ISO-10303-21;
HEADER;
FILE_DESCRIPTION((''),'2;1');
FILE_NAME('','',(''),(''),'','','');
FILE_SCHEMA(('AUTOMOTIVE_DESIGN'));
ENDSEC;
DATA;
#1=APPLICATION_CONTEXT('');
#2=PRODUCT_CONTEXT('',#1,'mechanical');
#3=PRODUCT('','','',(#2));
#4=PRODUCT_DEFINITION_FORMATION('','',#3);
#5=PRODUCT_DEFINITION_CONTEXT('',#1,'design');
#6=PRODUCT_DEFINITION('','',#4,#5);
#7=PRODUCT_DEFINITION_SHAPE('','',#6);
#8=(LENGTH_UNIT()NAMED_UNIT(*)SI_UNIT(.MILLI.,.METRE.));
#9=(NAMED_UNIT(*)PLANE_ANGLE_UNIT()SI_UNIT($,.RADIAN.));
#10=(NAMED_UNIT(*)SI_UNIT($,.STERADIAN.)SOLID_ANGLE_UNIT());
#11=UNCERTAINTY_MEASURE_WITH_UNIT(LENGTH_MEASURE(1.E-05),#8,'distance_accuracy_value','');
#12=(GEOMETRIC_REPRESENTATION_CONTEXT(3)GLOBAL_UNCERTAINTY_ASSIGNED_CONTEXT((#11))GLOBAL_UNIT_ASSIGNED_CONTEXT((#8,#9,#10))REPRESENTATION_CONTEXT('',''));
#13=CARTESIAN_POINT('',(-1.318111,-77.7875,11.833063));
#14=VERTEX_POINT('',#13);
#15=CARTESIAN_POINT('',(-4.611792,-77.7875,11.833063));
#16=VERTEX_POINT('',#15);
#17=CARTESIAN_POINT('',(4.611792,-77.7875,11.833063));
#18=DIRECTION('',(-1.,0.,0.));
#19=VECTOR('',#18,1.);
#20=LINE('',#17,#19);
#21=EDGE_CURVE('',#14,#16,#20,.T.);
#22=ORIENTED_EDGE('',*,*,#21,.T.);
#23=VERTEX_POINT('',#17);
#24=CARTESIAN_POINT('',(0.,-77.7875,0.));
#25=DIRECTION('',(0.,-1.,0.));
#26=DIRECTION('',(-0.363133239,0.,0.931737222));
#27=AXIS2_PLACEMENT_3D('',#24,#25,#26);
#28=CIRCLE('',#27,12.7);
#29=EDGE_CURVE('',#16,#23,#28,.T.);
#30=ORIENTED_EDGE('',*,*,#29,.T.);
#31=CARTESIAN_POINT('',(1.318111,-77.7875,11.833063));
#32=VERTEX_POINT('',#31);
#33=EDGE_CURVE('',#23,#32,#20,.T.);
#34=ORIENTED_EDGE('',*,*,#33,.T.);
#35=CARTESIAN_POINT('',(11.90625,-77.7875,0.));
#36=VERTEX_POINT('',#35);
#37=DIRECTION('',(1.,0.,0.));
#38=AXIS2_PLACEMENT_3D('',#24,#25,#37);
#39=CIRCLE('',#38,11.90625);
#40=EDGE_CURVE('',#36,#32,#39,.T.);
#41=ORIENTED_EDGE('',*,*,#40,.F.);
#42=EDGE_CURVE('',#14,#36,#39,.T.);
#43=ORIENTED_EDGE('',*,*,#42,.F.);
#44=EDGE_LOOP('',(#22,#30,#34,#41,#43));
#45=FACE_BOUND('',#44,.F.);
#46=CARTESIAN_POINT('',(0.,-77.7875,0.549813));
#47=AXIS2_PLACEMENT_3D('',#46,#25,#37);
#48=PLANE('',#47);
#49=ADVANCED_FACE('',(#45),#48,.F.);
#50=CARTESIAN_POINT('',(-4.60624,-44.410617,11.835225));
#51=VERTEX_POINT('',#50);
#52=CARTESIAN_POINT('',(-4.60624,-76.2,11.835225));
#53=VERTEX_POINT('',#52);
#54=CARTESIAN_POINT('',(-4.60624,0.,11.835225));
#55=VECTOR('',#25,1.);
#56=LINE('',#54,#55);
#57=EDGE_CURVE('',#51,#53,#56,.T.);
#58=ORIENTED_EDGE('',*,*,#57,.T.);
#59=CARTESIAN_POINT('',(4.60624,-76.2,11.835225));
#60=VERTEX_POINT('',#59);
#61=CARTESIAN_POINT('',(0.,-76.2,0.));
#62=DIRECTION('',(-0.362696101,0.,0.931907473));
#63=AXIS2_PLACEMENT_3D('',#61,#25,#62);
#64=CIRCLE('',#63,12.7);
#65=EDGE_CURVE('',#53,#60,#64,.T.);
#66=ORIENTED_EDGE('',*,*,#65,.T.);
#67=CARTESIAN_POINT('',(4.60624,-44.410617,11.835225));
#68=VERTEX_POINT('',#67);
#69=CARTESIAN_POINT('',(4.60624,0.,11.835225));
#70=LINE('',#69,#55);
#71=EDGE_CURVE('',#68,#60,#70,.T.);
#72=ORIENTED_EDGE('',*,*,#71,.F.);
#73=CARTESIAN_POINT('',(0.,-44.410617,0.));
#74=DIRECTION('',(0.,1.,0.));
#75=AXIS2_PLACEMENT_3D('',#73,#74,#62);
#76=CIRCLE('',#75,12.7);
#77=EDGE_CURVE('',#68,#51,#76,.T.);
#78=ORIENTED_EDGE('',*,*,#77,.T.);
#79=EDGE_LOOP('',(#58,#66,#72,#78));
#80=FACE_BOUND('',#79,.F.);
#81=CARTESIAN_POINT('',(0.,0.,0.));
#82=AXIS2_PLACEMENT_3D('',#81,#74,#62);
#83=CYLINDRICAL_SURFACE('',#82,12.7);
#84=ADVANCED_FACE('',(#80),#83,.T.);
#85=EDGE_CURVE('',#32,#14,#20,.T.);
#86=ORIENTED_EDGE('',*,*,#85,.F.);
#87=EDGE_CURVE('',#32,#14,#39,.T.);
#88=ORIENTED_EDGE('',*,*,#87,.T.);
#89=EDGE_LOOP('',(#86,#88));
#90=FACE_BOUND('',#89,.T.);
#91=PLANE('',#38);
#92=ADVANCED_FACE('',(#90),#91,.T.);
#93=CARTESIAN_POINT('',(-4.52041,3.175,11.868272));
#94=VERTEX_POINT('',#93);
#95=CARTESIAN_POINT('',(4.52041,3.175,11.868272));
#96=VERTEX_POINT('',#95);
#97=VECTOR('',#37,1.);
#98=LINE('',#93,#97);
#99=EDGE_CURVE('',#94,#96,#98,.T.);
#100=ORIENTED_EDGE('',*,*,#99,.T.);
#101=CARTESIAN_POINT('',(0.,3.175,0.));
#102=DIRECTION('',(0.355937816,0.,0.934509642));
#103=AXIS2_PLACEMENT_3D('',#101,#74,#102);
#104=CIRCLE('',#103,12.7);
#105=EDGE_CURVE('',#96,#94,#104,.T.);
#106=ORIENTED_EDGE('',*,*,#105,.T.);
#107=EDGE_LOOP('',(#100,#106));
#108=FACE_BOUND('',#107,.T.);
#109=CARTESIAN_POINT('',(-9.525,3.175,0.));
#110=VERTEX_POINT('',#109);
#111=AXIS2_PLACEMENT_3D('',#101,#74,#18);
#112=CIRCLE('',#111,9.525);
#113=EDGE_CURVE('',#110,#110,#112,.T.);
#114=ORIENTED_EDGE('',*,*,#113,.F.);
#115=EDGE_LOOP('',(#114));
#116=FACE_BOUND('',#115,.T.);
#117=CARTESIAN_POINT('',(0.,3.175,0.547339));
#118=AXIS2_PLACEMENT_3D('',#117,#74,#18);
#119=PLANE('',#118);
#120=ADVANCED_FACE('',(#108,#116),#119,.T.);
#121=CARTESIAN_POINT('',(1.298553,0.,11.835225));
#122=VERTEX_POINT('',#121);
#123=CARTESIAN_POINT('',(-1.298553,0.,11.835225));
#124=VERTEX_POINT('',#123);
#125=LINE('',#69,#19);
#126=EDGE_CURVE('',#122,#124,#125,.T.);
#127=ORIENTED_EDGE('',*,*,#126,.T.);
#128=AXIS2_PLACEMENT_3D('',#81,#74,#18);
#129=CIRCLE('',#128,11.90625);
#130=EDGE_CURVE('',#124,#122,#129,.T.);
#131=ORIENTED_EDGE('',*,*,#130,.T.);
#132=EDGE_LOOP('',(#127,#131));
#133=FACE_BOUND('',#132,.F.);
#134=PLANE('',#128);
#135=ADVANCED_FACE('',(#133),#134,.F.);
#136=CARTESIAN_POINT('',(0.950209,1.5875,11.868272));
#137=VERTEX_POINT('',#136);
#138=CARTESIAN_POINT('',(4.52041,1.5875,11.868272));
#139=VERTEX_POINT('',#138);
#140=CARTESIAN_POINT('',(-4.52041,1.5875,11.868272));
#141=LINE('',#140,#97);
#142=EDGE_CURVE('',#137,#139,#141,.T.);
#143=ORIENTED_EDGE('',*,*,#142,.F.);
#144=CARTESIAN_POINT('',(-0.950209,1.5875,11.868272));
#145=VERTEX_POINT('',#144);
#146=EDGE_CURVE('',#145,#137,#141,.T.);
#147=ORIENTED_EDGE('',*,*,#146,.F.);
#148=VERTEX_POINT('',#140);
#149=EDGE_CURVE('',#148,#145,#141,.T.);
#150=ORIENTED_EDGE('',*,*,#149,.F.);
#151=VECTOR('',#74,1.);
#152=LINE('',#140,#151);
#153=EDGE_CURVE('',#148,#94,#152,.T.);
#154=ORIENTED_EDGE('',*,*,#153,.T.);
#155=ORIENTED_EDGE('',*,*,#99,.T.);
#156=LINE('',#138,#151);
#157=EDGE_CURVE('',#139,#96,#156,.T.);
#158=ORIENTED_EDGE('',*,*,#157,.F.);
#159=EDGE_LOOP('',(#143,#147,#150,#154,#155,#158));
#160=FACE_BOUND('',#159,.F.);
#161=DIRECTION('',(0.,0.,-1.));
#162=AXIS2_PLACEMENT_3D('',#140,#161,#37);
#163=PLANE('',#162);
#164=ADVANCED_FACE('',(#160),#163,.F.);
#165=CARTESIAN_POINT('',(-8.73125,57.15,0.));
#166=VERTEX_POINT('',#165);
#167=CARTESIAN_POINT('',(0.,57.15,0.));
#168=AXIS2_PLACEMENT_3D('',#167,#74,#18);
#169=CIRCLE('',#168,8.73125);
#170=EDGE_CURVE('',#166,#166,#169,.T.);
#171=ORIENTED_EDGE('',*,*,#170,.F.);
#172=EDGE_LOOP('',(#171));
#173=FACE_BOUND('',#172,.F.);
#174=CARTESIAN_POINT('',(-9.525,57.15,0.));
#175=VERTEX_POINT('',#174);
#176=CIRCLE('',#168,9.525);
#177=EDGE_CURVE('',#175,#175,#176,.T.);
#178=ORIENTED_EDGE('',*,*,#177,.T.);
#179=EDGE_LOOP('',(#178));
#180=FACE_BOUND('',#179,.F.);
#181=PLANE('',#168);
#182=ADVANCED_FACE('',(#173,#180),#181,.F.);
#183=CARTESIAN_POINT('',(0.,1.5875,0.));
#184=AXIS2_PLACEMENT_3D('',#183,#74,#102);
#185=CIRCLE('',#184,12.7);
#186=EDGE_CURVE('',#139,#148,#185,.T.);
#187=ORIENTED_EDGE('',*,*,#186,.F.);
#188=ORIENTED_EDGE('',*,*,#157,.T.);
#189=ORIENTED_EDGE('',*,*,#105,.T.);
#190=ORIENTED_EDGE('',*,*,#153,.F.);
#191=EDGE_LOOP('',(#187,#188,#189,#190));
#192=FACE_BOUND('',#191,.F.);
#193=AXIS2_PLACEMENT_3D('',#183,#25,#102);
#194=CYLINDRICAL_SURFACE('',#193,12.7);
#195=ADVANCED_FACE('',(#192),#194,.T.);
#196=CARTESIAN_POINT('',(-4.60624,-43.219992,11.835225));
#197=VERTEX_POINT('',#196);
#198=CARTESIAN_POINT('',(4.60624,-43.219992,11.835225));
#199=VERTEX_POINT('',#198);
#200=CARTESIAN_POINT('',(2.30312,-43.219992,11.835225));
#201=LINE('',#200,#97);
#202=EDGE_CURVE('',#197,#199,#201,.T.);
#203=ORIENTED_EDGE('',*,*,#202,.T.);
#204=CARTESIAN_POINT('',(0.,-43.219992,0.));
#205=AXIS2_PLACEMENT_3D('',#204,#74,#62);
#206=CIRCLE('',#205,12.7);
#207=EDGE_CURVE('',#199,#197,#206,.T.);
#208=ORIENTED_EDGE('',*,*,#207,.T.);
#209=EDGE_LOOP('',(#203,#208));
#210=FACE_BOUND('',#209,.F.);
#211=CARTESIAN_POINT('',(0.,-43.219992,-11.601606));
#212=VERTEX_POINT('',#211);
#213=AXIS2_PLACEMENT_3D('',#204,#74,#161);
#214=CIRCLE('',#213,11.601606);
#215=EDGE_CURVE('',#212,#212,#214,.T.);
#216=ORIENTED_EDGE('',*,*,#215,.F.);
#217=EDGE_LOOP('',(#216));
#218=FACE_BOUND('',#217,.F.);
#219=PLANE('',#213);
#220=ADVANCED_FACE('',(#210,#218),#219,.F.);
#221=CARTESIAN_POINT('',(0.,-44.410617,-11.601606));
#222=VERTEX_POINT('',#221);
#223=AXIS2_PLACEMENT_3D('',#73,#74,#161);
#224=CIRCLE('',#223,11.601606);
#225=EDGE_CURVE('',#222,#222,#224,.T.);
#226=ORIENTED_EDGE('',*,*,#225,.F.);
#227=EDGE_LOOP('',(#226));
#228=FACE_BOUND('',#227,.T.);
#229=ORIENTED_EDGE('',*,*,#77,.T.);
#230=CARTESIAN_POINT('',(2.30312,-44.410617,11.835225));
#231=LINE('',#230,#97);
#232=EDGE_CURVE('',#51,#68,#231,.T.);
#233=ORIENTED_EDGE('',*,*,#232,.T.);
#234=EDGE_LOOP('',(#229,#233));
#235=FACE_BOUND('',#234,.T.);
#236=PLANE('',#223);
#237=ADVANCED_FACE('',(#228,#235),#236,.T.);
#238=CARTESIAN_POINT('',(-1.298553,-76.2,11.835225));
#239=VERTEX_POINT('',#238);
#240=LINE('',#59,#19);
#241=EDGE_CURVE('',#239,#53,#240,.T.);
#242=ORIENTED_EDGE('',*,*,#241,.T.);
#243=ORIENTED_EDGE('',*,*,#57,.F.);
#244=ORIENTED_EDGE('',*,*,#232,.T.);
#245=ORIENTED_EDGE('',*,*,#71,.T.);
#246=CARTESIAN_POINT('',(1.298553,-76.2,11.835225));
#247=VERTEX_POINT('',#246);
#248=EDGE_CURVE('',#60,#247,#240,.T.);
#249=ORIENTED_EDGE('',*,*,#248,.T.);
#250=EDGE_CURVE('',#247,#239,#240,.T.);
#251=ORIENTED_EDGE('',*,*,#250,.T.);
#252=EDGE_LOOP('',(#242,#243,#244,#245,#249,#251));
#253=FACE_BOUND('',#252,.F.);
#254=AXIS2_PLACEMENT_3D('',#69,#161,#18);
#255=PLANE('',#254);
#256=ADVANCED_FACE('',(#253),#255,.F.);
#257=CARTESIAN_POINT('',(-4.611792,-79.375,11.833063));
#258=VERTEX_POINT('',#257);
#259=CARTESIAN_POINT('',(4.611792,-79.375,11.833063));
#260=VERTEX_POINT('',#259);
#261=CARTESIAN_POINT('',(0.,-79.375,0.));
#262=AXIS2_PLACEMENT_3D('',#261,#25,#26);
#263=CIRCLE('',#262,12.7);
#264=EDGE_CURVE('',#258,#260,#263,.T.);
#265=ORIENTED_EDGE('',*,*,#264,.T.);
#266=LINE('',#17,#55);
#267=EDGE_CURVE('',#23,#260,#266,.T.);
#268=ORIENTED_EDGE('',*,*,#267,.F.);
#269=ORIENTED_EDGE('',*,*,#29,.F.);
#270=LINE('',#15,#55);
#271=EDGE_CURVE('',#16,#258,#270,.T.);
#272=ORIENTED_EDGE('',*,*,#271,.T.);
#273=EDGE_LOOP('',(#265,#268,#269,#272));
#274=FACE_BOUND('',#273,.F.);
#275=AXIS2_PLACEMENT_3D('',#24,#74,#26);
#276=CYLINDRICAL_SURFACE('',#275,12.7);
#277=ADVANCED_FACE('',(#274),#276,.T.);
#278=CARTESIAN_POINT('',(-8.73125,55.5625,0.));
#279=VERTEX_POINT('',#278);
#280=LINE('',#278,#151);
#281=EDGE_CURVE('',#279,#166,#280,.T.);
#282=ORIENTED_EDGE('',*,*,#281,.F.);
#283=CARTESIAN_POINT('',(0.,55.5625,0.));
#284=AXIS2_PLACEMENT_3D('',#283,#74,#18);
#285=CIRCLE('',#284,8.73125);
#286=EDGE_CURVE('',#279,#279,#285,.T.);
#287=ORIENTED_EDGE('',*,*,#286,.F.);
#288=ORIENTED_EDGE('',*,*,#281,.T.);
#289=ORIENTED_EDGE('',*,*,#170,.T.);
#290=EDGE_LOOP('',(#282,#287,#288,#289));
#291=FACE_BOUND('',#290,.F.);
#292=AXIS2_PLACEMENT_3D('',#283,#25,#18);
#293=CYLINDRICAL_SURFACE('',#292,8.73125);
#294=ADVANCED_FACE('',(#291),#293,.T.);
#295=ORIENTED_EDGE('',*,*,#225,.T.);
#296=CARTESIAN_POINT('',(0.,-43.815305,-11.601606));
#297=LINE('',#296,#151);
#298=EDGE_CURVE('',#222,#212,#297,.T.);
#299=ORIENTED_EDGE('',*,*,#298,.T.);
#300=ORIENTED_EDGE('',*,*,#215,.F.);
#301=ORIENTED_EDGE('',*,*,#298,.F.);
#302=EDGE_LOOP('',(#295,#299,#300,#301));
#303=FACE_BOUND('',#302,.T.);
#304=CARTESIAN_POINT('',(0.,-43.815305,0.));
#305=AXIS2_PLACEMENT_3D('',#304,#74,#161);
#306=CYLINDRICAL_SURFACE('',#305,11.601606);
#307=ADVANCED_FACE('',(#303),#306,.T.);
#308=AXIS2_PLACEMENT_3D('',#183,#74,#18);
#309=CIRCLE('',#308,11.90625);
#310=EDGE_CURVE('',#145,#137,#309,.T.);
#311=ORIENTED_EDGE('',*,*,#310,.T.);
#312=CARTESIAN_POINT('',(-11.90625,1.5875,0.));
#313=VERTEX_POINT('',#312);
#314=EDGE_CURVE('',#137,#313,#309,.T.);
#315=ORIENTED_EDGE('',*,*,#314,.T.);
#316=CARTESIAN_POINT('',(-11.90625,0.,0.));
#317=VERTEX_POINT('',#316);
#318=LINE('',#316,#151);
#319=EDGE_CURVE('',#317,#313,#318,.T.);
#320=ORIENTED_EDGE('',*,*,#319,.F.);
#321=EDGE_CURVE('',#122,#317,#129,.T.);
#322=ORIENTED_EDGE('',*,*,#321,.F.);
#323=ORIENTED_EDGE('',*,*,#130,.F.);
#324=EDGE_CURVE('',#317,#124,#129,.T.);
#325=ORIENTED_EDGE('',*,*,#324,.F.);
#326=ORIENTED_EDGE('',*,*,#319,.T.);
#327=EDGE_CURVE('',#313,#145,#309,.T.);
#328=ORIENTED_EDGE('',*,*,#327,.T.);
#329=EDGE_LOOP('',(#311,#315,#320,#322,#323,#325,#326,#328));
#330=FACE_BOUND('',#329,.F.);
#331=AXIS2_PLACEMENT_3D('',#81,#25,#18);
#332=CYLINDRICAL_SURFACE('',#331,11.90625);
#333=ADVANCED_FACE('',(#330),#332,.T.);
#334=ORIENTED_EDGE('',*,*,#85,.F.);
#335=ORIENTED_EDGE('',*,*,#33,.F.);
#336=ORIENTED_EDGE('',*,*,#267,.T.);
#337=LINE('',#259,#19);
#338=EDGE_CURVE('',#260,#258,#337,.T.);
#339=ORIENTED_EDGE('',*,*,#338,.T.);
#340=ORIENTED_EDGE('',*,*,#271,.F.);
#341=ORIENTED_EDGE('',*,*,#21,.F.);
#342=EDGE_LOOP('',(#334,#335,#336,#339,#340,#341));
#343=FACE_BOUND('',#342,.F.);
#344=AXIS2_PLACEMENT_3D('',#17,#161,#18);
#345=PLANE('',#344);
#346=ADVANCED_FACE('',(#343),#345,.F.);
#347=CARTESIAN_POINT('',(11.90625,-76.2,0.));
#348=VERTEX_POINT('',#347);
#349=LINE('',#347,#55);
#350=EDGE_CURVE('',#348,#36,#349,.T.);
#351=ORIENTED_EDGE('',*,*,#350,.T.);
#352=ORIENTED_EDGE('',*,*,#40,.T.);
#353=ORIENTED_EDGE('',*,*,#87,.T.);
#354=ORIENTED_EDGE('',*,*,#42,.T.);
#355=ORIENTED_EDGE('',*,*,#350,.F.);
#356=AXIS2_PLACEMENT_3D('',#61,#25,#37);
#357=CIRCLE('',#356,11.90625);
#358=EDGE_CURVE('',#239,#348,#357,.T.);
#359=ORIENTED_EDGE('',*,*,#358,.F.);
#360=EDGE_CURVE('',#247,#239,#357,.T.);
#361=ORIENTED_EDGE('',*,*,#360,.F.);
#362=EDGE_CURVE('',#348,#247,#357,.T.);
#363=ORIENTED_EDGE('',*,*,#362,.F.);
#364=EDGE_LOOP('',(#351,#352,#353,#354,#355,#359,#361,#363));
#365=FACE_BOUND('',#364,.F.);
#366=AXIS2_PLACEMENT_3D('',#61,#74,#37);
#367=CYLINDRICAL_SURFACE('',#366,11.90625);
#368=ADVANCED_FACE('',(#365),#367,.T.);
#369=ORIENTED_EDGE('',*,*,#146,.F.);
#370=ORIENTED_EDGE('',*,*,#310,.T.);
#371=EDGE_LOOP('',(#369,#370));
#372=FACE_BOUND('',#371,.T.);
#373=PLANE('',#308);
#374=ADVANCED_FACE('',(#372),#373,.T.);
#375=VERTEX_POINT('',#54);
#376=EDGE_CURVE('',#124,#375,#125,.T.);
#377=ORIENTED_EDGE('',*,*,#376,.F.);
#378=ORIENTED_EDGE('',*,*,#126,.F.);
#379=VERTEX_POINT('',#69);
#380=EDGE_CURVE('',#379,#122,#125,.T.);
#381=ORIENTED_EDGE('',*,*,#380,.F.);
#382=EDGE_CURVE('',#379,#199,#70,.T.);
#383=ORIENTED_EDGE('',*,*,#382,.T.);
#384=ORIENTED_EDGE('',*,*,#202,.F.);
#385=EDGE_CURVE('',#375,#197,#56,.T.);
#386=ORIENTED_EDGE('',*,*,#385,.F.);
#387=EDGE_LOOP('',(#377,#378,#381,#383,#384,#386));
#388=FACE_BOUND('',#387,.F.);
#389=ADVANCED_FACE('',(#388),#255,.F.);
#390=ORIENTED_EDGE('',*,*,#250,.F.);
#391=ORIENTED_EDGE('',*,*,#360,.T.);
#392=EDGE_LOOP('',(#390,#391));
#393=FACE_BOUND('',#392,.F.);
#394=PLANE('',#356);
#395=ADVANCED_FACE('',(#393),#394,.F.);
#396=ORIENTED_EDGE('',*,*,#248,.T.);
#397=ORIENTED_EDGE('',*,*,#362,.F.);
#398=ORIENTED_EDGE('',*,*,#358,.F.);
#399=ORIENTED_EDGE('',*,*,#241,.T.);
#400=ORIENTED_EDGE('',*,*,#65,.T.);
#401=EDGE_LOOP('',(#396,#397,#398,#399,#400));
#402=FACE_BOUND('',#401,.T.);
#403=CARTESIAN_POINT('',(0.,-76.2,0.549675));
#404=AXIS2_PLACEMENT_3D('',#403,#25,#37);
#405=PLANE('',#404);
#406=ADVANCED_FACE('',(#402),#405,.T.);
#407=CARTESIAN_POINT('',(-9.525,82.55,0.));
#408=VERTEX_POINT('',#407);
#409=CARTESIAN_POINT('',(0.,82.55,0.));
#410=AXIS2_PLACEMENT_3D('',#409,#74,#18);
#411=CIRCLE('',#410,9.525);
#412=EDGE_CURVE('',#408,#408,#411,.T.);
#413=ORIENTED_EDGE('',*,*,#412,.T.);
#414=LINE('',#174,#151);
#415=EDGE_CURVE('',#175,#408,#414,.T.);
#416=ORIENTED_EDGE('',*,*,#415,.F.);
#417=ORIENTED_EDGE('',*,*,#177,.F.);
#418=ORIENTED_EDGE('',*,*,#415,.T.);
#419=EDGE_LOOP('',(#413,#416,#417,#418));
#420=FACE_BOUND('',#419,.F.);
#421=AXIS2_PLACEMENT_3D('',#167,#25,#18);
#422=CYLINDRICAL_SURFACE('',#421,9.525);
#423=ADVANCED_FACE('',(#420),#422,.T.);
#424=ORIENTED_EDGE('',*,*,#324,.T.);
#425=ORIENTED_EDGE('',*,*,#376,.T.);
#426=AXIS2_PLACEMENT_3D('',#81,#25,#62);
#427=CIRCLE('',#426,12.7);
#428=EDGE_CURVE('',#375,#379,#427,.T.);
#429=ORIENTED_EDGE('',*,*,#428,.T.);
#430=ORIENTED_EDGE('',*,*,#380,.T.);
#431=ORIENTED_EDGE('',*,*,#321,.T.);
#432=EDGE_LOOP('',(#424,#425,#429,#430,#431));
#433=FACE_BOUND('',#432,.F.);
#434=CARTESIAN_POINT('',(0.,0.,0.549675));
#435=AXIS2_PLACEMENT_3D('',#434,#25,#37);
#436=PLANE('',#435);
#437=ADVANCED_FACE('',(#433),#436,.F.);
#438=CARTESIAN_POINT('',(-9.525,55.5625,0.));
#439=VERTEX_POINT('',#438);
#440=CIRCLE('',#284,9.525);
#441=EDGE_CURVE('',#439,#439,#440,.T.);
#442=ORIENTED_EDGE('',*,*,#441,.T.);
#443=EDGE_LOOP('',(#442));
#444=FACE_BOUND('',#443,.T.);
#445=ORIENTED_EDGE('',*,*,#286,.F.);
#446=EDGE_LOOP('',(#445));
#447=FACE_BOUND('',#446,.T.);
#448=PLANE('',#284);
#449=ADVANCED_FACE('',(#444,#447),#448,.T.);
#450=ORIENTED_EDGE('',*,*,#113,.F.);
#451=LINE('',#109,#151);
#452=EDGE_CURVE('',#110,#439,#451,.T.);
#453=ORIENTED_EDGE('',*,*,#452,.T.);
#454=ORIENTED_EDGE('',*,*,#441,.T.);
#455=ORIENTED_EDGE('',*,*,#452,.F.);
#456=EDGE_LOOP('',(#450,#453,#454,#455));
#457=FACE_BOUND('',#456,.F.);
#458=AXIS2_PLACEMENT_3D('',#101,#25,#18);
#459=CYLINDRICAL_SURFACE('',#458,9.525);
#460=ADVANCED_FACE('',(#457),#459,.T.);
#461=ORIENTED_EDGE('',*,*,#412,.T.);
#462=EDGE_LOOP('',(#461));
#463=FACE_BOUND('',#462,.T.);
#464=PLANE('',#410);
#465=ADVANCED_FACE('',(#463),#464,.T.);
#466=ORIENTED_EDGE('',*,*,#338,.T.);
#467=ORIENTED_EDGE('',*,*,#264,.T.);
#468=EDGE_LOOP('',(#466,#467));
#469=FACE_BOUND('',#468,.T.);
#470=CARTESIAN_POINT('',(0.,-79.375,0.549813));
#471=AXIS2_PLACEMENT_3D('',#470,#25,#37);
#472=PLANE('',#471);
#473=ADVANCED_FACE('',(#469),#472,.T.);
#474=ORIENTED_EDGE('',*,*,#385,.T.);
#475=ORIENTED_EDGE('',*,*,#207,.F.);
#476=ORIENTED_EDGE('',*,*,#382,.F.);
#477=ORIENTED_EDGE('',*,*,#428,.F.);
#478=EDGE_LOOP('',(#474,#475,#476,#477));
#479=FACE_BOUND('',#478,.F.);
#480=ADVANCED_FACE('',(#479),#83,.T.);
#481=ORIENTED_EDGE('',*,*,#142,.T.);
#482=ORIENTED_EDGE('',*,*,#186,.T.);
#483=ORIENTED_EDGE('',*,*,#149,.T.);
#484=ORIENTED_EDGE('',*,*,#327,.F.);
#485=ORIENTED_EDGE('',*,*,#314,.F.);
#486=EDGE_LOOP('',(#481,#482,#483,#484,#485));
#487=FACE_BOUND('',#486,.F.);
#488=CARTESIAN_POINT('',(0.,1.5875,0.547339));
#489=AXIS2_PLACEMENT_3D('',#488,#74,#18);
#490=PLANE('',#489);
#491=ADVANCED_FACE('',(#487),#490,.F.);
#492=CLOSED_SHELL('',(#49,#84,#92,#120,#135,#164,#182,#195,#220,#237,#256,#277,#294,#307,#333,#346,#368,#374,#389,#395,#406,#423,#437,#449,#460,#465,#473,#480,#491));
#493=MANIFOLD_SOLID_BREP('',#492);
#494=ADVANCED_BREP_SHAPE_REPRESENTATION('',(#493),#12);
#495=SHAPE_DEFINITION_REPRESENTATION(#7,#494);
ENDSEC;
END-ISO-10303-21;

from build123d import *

# Parameters (mm, degrees)
F1_DEPTH  = 76.2
F2_R      = 11.90625
F3_DEPTH  = 1.5875
F5_DEPTH  = 1.5875
F6_R      = 11.90625
F7_DEPTH  = 1.5875
F9_DEPTH  = 1.5875
F10_R     = 9.525
F11_DEPTH = 52.3875
F12_R     = 8.73125
F13_DEPTH = 1.5875
F14_R     = 9.525
F15_DEPTH = 25.4
F16_W     = 1.190625
F16_H     = 1.190625


with BuildPart() as f1:
    # F0 (on Front) → F1 (new body)
    with BuildSketch(Plane.XZ):
        with BuildLine():
            Line((4.6062404769, 11.83522491), (-4.6062404769, 11.83522491))
            ThreePointArc((-4.6062404769, 11.83522491), (0, -12.7), (4.6062404769, 11.83522491))
        make_face()
    extrude(amount=F1_DEPTH)

    # F2 (on face) → F3 (join)
    with BuildSketch(Plane.XZ.offset(76.2)):
        Circle(F2_R)
    extrude(amount=F3_DEPTH)

    # F4 (on face) → F5 (join)
    with BuildSketch(Plane.XZ.offset(77.7875)):
        with BuildLine():
            Line((4.6117921338, 11.8330627191), (-4.6117921338, 11.8330627191))
            ThreePointArc((-4.6117921338, 11.8330627191), (0, -12.7), (4.6117921338, 11.8330627191))
        make_face()
    extrude(amount=F5_DEPTH)

    # F6 (on face) → F7 (join)
    with BuildSketch(Plane(origin=(0, 0, 0), x_dir=(-1, 0, 0), z_dir=(0, 1, 0))):
        Circle(F6_R)
    extrude(amount=F7_DEPTH)

    # F8 (on face) → F9 (join)
    with BuildSketch(Plane(origin=(0, 1.5875, 0), x_dir=(-1, 0, 0), z_dir=(0, 1, 0))):
        with BuildLine():
            Line((4.5204102672, 11.8682724529), (-4.5204102672, 11.8682724529))
            ThreePointArc((-4.5204102672, 11.8682724529), (0, -12.7), (4.5204102672, 11.8682724529))
        make_face()
    extrude(amount=F9_DEPTH)

    # F10 (on face) → F11 (join)
    with BuildSketch(Plane(origin=(0, 3.175, 0), x_dir=(-1, 0, 0), z_dir=(0, 1, 0))):
        Circle(F10_R)
    extrude(amount=F11_DEPTH)

    # F12 (on face) → F13 (join)
    with BuildSketch(Plane(origin=(0, 55.5625, 0), x_dir=(-1, 0, 0), z_dir=(0, 1, 0))):
        Circle(F12_R)
    extrude(amount=F13_DEPTH)

    # F14 (on face) → F15 (join)
    with BuildSketch(Plane(origin=(0, 57.15, 0), x_dir=(-1, 0, 0), z_dir=(0, 1, 0))):
        Circle(F14_R)
    extrude(amount=F15_DEPTH)

    # F16 (on Right) → F17 (revolve, cut)
    with BuildSketch(Plane.YZ):
        with Locations((-43.8153046727, -12.1969180837)):
            Rectangle(F16_W, F16_H)
    revolve(axis=Axis((0, 0, 0), (0, 1, 0)), mode=Mode.SUBTRACT)


solid = f1.part
